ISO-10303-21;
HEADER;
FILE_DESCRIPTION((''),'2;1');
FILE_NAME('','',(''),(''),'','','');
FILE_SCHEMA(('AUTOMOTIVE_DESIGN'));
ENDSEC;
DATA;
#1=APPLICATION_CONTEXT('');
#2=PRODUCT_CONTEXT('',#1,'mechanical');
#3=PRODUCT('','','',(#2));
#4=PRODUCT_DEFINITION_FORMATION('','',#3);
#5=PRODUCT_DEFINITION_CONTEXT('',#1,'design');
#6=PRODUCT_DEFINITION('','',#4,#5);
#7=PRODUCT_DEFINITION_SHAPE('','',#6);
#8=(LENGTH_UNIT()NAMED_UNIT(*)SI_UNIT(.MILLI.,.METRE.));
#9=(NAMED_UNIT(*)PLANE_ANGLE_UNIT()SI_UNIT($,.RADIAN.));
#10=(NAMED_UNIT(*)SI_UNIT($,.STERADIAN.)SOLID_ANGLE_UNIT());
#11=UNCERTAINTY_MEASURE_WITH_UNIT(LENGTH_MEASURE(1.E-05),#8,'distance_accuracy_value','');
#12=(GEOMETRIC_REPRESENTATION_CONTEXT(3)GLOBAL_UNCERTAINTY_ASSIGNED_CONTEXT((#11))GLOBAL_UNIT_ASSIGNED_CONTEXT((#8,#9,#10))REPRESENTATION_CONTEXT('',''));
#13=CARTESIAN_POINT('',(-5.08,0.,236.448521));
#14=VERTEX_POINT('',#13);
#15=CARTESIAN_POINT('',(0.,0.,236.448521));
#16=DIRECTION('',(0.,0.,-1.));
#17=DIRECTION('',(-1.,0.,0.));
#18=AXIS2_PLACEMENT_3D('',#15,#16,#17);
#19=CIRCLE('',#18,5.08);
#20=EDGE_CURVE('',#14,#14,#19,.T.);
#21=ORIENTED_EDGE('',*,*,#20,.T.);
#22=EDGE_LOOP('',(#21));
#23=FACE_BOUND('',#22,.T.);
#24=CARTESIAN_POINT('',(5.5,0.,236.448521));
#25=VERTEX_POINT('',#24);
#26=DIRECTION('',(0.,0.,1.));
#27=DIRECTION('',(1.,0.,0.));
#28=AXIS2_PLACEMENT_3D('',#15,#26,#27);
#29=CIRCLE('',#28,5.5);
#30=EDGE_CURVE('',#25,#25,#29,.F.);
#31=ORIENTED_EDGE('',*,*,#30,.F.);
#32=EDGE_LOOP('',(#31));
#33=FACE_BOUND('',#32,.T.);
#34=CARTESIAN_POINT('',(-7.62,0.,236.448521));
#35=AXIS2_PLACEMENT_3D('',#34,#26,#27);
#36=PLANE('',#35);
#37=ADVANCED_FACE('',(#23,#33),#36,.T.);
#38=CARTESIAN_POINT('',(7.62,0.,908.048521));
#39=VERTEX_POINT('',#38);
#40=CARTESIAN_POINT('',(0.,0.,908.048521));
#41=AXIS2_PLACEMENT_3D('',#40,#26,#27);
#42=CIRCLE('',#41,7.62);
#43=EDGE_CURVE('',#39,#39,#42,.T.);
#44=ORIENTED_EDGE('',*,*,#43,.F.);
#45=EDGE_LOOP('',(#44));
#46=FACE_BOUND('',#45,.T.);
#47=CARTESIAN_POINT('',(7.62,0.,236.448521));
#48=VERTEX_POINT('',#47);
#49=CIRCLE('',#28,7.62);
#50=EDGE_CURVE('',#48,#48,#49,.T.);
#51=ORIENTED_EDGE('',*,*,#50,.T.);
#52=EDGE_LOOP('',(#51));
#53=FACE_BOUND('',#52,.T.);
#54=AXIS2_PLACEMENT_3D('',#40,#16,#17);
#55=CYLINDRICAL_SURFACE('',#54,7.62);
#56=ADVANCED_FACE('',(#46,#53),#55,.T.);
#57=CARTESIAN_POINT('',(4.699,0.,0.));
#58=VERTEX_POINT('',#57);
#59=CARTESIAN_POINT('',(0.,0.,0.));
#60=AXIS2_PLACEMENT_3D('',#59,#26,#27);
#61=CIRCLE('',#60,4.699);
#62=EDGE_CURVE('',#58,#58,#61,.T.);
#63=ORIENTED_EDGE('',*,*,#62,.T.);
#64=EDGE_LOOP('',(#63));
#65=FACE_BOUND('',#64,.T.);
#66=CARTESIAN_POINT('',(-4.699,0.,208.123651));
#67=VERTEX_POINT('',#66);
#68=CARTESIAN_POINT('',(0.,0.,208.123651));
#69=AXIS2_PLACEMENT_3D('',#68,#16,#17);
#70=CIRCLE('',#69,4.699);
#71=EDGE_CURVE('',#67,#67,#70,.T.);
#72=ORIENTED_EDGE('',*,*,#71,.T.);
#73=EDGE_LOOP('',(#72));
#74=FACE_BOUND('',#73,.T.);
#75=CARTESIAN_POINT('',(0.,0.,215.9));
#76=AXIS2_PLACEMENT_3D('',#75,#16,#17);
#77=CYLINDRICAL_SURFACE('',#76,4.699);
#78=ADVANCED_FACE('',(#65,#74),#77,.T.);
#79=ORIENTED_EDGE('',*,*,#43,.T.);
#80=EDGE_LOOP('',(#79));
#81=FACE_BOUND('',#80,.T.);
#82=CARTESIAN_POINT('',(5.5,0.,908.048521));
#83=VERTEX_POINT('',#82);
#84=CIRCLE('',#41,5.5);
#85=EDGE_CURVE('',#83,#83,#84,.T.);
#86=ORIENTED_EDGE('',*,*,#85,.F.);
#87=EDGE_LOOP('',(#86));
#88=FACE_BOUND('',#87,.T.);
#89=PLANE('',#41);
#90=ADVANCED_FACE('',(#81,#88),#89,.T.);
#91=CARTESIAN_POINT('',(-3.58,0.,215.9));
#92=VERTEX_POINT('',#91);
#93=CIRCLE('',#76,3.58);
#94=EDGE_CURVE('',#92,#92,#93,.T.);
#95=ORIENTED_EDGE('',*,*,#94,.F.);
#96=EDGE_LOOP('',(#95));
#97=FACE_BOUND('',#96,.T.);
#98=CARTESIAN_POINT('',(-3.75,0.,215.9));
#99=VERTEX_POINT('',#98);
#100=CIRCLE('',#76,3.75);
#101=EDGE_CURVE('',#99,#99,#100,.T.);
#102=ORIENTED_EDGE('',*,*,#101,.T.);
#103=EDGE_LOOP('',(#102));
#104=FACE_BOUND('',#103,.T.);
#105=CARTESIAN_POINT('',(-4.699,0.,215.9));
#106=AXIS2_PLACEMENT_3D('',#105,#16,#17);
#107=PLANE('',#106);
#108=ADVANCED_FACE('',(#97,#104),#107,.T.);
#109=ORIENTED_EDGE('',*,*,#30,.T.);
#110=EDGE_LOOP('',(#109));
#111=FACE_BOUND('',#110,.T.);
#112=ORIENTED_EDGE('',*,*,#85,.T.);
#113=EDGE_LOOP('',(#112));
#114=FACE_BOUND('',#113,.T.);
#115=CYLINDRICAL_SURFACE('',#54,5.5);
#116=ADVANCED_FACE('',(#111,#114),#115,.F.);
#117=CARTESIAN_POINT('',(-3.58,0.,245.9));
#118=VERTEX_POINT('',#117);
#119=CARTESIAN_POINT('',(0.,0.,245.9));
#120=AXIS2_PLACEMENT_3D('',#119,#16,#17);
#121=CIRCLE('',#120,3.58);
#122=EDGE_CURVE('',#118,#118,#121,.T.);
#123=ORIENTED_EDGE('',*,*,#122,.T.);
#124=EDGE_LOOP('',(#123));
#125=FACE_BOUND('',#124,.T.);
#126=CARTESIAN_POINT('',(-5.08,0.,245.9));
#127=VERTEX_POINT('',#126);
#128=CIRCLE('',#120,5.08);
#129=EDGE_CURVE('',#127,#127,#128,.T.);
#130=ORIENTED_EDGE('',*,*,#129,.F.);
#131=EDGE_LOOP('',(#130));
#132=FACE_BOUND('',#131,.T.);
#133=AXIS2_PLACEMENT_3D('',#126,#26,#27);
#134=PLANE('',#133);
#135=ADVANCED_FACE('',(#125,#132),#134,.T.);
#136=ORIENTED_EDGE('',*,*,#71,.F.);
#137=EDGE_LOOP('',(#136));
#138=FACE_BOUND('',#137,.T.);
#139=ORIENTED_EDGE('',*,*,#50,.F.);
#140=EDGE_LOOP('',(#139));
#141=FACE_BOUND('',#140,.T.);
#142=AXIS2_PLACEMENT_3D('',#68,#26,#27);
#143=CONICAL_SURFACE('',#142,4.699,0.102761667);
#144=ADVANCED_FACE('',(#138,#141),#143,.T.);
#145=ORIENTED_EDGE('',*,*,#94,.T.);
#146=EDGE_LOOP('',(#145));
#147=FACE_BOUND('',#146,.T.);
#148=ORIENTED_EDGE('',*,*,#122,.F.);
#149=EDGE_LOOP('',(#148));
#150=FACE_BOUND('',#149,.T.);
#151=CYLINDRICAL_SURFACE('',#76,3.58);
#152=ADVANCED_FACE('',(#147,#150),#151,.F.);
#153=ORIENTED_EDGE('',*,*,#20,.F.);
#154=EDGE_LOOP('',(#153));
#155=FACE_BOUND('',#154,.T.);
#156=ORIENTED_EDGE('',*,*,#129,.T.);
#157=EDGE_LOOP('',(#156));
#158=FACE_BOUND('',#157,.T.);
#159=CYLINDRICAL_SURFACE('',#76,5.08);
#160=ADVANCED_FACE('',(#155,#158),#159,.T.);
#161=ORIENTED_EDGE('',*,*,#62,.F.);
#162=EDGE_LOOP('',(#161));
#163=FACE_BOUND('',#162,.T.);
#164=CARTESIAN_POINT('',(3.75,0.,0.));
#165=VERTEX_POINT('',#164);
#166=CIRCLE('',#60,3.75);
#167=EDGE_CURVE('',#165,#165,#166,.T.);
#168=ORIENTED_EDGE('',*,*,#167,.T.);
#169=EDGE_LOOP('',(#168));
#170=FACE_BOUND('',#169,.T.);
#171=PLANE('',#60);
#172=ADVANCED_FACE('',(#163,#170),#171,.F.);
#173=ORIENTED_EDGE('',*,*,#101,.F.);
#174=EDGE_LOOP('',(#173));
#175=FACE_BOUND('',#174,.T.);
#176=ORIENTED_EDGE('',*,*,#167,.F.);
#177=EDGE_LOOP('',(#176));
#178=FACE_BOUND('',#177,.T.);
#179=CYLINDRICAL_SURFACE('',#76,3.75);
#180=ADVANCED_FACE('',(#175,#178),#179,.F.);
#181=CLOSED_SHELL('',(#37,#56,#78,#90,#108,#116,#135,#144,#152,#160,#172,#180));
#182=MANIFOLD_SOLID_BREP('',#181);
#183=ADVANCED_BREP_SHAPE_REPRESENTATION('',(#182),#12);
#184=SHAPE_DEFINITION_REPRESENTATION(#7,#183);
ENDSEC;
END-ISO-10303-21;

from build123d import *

# Parameters (mm, degrees)
SKETCH1_R           = 4.699
SKETCH1_R_2         = 3.75
BOSS_EXTRUDE1_DEPTH = 215.9
SKETCH6_R           = 7.62
SKETCH6_R_2         = 5.5
BOSS_EXTRUDE2_DEPTH = 671.6


with BuildPart() as part:
    # Sketch1 → Boss-Extrude1 (new body)
    with BuildSketch(Plane.XY):
        Circle(SKETCH1_R)
        Circle(SKETCH1_R_2, mode=Mode.SUBTRACT)
    extrude(amount=BOSS_EXTRUDE1_DEPTH)

    # Sketch5 → Revolve1 (revolve)
    with BuildSketch(Plane(origin=(0, 0, 0), x_dir=(1, 0, 0), z_dir=(0, 1, 0))):
        Polygon((-4.699, -208.123650762), (-7.62, -236.448520775), (-5.08, -236.448520775), (-5.08, -245.9), (-3.58, -245.9), (-3.58, -215.9), (-4.699, -215.9), align=None)
    revolve(axis=Axis((0, 0, 215.9), (0, 0, 1)))

    # Sketch6 → Boss-Extrude2 (add)
    with BuildSketch(Plane.XY.offset(236.448520775)):
        Circle(SKETCH6_R)
        Circle(SKETCH6_R_2, mode=Mode.SUBTRACT)
    extrude(amount=BOSS_EXTRUDE2_DEPTH)


solid = part.part
